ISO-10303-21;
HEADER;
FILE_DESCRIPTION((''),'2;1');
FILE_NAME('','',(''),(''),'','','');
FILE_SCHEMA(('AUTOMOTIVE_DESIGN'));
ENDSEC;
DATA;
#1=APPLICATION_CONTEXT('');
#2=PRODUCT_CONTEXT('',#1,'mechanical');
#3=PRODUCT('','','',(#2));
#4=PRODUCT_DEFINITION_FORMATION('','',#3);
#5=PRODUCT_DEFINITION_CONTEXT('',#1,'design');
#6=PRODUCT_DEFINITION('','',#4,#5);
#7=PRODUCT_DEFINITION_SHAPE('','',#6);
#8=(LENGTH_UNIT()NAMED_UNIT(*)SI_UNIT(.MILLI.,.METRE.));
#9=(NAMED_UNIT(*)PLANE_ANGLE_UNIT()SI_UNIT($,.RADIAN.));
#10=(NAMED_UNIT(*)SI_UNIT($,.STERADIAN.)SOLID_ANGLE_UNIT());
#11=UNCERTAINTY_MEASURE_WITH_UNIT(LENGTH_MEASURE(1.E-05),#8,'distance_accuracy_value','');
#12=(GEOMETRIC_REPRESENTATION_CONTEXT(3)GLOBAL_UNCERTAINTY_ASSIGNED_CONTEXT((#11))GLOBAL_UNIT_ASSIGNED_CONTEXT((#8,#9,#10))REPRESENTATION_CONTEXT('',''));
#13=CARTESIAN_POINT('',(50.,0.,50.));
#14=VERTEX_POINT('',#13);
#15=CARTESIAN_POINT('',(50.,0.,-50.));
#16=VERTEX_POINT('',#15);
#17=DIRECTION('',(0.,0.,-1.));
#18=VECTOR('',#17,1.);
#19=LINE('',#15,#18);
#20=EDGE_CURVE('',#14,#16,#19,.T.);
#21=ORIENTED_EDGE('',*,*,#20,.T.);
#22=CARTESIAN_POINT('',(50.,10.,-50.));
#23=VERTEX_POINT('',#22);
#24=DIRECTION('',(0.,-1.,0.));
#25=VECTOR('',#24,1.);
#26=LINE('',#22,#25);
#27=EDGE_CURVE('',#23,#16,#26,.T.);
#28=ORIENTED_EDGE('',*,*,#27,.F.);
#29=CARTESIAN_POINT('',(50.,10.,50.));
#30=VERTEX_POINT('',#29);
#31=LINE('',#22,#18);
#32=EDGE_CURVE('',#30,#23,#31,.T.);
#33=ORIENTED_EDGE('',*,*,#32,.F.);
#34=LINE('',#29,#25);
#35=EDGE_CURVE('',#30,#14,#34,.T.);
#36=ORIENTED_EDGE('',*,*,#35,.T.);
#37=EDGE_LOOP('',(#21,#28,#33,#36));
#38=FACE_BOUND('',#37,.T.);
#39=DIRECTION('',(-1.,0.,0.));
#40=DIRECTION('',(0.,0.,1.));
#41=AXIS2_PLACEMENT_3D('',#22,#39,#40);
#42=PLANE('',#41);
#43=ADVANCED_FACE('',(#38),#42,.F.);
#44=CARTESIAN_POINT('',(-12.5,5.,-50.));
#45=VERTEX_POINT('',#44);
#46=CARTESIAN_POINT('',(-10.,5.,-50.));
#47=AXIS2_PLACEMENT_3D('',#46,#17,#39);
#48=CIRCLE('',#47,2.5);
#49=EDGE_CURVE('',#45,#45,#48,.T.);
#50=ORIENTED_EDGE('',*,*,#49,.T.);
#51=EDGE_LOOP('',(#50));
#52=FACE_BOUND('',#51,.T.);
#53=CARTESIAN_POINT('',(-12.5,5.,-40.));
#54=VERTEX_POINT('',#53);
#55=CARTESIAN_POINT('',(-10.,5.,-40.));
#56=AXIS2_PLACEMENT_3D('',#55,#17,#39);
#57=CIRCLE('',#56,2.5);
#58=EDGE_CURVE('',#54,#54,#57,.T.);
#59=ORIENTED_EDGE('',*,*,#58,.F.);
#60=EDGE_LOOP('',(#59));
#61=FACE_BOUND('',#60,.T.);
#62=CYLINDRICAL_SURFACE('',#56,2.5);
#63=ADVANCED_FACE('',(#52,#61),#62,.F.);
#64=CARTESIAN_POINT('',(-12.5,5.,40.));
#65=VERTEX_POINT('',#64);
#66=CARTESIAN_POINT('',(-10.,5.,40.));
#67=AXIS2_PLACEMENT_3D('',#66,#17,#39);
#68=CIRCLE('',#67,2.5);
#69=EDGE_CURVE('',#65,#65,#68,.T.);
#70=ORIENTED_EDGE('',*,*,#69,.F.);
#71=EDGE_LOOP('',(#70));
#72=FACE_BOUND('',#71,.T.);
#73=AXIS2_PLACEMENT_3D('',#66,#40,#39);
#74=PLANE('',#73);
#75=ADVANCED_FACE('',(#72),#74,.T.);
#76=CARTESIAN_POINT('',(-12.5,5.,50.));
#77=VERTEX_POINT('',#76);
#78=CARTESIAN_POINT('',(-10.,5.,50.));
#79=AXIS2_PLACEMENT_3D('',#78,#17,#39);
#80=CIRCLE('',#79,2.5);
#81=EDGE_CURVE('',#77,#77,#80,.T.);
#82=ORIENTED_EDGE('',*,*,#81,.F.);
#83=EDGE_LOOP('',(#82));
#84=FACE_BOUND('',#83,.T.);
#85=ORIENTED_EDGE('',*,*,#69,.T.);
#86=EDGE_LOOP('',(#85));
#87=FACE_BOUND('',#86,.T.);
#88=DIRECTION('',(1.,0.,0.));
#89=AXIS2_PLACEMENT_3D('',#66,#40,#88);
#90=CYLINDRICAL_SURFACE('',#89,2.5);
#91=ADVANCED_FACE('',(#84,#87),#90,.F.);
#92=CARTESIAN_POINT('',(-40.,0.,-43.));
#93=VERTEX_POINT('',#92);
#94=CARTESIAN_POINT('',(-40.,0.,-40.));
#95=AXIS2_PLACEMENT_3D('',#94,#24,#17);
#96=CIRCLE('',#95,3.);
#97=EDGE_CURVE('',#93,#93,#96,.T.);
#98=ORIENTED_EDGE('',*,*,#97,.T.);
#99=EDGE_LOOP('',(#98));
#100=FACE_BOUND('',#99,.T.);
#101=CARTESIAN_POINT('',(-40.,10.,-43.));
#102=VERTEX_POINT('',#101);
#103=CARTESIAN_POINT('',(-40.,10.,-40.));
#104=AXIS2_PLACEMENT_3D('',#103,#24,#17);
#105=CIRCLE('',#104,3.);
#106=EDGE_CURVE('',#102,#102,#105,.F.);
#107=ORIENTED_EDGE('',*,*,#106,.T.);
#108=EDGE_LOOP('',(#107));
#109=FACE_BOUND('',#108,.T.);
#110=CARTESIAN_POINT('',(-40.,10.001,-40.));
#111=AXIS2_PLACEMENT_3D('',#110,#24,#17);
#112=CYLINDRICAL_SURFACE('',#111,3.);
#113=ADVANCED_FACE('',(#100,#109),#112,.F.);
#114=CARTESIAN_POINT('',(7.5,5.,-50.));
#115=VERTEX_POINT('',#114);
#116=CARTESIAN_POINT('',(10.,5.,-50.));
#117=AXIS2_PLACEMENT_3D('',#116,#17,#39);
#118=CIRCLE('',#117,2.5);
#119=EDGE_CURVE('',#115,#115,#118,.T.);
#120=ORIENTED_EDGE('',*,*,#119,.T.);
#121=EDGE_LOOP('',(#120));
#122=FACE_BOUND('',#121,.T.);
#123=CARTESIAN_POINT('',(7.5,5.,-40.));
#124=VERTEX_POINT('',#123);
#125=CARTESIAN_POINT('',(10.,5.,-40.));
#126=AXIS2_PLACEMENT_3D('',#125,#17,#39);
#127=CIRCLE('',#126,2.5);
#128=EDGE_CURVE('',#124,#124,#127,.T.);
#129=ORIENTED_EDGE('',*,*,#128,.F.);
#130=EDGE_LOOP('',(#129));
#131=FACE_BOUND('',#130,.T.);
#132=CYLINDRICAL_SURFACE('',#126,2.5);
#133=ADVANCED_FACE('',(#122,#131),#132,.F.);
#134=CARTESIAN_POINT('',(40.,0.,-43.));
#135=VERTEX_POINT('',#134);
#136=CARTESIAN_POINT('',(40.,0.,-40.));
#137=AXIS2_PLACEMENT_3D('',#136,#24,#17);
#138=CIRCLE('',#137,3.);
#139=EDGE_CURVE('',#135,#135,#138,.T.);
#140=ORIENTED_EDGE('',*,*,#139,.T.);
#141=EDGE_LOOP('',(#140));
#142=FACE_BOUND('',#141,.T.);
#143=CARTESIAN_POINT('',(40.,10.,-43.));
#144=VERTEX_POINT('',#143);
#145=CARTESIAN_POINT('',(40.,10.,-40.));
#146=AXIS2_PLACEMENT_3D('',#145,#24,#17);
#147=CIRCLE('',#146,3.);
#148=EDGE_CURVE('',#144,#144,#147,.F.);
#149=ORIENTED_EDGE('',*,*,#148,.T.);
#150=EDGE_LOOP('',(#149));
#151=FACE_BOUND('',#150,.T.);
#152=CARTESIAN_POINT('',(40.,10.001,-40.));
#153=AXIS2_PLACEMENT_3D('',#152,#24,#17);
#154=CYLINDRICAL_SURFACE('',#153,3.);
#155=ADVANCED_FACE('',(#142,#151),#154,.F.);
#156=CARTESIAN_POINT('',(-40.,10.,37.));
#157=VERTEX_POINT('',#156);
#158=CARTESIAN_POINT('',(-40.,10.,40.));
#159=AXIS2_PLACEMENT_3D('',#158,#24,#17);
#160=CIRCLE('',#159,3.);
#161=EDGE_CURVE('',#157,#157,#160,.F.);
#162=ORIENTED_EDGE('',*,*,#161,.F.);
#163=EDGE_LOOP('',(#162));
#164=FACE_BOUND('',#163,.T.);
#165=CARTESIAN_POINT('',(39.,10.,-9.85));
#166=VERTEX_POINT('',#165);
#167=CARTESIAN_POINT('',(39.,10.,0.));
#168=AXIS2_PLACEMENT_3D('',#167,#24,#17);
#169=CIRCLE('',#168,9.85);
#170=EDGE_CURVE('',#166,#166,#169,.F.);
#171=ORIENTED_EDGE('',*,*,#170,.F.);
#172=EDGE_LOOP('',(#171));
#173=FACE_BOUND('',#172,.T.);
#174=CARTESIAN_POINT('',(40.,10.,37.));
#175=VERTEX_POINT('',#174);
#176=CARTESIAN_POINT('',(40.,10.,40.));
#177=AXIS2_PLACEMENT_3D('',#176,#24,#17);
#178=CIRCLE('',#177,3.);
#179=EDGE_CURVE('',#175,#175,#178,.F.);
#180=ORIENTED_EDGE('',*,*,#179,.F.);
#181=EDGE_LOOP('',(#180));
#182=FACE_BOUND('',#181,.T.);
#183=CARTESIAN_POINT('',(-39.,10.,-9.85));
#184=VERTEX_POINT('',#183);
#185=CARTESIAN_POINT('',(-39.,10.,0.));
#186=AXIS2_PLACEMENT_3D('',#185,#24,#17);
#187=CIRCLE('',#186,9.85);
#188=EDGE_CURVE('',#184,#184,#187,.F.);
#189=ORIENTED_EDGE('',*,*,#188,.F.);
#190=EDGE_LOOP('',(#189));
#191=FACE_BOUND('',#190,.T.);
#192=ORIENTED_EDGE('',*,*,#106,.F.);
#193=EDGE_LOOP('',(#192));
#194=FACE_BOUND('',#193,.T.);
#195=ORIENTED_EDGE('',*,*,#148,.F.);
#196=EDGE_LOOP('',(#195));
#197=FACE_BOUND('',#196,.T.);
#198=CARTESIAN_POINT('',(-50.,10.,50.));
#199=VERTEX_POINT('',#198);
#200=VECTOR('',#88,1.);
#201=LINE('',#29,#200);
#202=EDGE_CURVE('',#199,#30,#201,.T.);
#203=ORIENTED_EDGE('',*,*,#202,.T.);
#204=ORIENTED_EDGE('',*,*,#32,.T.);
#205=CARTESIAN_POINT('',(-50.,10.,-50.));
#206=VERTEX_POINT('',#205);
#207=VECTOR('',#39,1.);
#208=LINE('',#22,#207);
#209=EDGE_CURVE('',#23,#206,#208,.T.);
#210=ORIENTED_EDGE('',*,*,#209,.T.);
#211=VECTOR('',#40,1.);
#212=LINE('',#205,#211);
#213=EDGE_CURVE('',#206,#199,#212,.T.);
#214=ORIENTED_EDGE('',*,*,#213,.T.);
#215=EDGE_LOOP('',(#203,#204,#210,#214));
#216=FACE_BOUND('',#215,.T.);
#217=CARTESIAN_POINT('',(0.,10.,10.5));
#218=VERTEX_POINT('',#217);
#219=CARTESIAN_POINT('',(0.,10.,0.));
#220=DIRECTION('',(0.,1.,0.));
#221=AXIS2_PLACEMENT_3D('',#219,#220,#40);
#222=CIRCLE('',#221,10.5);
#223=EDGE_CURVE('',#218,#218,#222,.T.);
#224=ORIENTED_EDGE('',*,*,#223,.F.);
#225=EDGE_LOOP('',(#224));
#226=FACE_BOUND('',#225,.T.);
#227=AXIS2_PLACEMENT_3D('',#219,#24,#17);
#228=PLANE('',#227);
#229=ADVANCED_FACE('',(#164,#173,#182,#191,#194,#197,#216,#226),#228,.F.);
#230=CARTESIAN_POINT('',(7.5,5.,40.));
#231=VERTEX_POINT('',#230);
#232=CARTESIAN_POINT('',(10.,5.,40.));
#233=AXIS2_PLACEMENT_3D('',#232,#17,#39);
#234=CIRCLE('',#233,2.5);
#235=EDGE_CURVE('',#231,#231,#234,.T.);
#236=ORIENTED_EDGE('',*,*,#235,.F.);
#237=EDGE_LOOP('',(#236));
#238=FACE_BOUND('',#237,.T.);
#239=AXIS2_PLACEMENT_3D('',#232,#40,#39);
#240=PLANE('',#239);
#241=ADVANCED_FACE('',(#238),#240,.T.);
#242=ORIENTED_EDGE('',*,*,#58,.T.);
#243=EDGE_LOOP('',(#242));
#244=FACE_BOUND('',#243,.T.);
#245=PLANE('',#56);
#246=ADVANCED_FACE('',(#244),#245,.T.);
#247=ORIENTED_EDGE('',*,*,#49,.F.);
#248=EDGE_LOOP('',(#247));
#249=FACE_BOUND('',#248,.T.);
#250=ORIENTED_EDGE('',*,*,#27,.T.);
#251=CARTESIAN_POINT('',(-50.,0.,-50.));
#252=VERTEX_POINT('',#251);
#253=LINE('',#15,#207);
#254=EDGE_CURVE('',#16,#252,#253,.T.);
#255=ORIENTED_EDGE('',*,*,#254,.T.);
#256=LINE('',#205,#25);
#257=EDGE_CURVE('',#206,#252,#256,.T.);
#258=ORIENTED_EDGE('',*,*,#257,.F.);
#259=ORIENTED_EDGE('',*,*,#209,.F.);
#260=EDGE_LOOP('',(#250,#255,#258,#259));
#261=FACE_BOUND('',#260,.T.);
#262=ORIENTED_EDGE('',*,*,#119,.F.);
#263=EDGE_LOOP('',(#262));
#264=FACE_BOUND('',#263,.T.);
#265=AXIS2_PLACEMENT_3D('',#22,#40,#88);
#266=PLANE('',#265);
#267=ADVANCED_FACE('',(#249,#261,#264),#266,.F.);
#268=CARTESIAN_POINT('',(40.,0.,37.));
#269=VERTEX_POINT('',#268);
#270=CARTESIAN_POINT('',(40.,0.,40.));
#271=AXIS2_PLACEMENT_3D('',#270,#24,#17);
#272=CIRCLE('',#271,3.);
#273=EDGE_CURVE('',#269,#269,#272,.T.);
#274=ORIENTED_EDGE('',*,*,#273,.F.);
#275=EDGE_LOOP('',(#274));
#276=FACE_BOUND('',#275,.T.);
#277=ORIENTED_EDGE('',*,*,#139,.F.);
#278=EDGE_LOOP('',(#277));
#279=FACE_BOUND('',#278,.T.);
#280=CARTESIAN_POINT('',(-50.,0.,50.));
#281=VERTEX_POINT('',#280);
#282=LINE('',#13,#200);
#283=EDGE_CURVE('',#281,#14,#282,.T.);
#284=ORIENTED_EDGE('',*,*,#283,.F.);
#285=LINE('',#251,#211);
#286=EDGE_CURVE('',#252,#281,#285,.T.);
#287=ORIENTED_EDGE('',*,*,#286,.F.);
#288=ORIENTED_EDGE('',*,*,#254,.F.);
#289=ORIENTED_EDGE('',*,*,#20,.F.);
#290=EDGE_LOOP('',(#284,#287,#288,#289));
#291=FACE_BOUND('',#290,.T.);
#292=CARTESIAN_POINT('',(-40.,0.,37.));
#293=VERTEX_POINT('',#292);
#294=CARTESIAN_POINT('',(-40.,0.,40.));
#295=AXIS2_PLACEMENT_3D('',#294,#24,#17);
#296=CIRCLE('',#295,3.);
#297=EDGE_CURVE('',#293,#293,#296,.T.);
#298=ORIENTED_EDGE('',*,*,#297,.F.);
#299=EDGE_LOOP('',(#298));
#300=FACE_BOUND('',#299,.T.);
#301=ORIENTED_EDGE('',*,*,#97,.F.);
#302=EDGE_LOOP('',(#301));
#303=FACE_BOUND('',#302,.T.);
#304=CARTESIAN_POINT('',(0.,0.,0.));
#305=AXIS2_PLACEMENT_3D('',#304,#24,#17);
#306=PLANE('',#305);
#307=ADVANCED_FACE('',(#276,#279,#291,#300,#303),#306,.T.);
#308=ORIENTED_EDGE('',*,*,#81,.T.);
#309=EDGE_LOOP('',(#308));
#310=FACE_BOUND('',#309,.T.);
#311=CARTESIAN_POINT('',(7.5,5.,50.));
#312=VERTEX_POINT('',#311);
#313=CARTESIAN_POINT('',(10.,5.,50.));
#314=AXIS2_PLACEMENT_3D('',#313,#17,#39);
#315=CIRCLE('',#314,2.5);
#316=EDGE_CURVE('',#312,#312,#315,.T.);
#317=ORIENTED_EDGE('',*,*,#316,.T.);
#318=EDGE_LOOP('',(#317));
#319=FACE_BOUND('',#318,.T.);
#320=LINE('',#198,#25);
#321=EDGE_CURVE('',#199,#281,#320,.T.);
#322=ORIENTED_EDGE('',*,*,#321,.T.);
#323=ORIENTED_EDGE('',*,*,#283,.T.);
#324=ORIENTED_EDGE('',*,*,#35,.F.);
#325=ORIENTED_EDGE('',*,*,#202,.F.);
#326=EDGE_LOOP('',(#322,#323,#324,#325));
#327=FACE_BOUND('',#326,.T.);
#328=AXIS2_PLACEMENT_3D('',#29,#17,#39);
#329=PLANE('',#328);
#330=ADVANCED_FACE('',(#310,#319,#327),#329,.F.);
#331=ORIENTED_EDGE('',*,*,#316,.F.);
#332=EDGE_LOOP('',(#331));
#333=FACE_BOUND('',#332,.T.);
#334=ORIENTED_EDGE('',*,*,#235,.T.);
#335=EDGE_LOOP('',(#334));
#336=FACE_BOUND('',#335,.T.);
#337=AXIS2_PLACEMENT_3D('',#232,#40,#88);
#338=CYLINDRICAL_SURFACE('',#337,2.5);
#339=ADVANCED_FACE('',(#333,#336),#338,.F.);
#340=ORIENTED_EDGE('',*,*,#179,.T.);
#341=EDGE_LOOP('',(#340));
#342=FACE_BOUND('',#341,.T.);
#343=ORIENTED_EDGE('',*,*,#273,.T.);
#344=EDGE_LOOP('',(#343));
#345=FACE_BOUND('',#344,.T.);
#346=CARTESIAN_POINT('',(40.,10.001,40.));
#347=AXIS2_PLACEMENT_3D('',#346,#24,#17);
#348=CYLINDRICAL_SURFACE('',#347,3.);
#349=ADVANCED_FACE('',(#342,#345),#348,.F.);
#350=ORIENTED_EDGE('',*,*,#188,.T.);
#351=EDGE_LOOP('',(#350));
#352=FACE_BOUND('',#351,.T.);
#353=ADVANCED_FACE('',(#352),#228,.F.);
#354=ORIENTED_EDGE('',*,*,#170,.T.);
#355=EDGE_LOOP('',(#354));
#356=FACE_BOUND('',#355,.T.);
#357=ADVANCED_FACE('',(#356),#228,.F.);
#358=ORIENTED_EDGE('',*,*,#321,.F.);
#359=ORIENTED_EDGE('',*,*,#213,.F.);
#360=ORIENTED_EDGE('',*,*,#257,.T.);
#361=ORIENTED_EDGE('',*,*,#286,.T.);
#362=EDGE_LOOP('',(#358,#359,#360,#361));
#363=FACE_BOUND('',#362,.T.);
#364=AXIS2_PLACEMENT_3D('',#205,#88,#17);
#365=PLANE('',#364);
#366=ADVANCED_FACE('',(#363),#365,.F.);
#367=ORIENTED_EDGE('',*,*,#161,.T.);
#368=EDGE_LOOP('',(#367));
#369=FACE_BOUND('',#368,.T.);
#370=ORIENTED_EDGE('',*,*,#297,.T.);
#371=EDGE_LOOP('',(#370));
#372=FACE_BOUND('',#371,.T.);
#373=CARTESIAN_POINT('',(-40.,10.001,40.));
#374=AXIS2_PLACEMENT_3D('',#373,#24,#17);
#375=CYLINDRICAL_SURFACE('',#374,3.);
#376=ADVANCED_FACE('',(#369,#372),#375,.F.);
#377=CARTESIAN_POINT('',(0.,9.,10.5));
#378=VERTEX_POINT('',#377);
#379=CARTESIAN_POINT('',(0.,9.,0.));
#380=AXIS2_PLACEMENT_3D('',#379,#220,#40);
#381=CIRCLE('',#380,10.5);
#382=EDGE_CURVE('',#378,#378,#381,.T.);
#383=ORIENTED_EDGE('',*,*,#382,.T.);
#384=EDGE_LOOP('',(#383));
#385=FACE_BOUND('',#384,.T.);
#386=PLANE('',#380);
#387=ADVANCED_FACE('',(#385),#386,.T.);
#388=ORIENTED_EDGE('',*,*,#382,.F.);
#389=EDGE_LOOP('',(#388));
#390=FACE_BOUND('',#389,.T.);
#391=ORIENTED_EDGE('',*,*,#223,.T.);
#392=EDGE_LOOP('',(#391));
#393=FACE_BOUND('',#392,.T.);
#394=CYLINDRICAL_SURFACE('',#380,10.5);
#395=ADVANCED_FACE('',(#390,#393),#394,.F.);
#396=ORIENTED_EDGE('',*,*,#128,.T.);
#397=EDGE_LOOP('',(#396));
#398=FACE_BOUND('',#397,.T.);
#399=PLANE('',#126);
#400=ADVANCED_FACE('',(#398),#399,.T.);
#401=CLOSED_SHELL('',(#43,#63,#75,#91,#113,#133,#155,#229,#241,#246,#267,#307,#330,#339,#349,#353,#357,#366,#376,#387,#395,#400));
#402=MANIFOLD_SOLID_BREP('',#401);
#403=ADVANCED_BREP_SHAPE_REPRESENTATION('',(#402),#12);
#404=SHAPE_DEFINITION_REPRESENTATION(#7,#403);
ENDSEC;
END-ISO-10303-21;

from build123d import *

# Parameters (mm, degrees)
SKETCH1_W           = 100
SKETCH1_H           = 100
BASE_DEPTH          = 10
SKETCH2_R           = 10.5
LOAD_CELL_CUT_DEPTH = 1
CUT_EXTRUDE1_REACH  = 73.414
SKETCH15_R          = 3
SKETCH21_R          = 2.5
CUT_EXTRUDE2_DEPTH  = 10


with BuildPart() as part:
    # Sketch1 → base (new body)
    with BuildSketch(Plane(origin=(0, 0, 0), x_dir=(1, 0, 0), z_dir=(0, 1, 0))):
        Rectangle(SKETCH1_W, SKETCH1_H)
    extrude(amount=BASE_DEPTH)

    # Sketch2 → load cell cut (cut)
    with BuildSketch(Plane(origin=(0, 10, 0), x_dir=(1, 0, 0), z_dir=(0, 1, 0))):
        with Locations(Location((0, 0, 0), (0, 0, 270))):
            Circle(SKETCH2_R)
    extrude(amount=-LOAD_CELL_CUT_DEPTH, mode=Mode.SUBTRACT)

    # Sketch15 → Cut-Extrude1 (cut, up to next)
    with BuildSketch(Plane(origin=(0, 0, 0), x_dir=(-1, 0, 0), z_dir=(0, -1, 0)), mode=Mode.PRIVATE) as cut_extrude1_sk1:
        with Locations(Location((40, -40, 0), (0, 0, 90))):
            Circle(SKETCH15_R)
    cut_extrude1_tool1 = extrude(cut_extrude1_sk1.sketch, amount=-CUT_EXTRUDE1_REACH, mode=Mode.PRIVATE) & part.part
    # Sketch15 → Cut-Extrude1 (cut, up to next)
    with BuildSketch(Plane(origin=(0, 0, 0), x_dir=(-1, 0, 0), z_dir=(0, -1, 0)), mode=Mode.PRIVATE) as cut_extrude1_sk2:
        with Locations(Location((-40, -40, 0), (0, 0, 90))):
            Circle(SKETCH15_R)
    cut_extrude1_tool2 = extrude(cut_extrude1_sk2.sketch, amount=-CUT_EXTRUDE1_REACH, mode=Mode.PRIVATE) & part.part
    # Sketch15 → Cut-Extrude1 (cut, up to next)
    with BuildSketch(Plane(origin=(0, 0, 0), x_dir=(-1, 0, 0), z_dir=(0, -1, 0)), mode=Mode.PRIVATE) as cut_extrude1_sk3:
        with Locations(Location((40, 40, 0), (0, 0, 90))):
            Circle(SKETCH15_R)
    cut_extrude1_tool3 = extrude(cut_extrude1_sk3.sketch, amount=-CUT_EXTRUDE1_REACH, mode=Mode.PRIVATE) & part.part
    # Sketch15 → Cut-Extrude1 (cut, up to next)
    with BuildSketch(Plane(origin=(0, 0, 0), x_dir=(-1, 0, 0), z_dir=(0, -1, 0)), mode=Mode.PRIVATE) as cut_extrude1_sk4:
        with Locations(Location((-40, 40, 0), (0, 0, 90))):
            Circle(SKETCH15_R)
    cut_extrude1_tool4 = extrude(cut_extrude1_sk4.sketch, amount=-CUT_EXTRUDE1_REACH, mode=Mode.PRIVATE) & part.part
    add(cut_extrude1_tool1.solids().sort_by_distance((-40, 0, 40))[0], mode=Mode.SUBTRACT)
    add(cut_extrude1_tool2.solids().sort_by_distance((40, 0, 40))[0], mode=Mode.SUBTRACT)
    add(cut_extrude1_tool3.solids().sort_by_distance((-40, 0, -40))[0], mode=Mode.SUBTRACT)
    add(cut_extrude1_tool4.solids().sort_by_distance((40, 0, -40))[0], mode=Mode.SUBTRACT)

    # Sketch21 → Cut-Extrude2 (cut)
    with BuildSketch(Plane(origin=(0, 0, -50), x_dir=(-1, 0, 0), z_dir=(0, 0, -1))):
        with Locations((-10, 5)):
            Circle(SKETCH21_R)
        with Locations((10, 5)):
            Circle(SKETCH21_R)
    cut_extrude2 = extrude(amount=-CUT_EXTRUDE2_DEPTH, mode=Mode.SUBTRACT)

    # Mirror2: Cut-Extrude2 across plane
    add(cut_extrude2.mirror(Plane.XY), mode=Mode.SUBTRACT)


solid = part.part
